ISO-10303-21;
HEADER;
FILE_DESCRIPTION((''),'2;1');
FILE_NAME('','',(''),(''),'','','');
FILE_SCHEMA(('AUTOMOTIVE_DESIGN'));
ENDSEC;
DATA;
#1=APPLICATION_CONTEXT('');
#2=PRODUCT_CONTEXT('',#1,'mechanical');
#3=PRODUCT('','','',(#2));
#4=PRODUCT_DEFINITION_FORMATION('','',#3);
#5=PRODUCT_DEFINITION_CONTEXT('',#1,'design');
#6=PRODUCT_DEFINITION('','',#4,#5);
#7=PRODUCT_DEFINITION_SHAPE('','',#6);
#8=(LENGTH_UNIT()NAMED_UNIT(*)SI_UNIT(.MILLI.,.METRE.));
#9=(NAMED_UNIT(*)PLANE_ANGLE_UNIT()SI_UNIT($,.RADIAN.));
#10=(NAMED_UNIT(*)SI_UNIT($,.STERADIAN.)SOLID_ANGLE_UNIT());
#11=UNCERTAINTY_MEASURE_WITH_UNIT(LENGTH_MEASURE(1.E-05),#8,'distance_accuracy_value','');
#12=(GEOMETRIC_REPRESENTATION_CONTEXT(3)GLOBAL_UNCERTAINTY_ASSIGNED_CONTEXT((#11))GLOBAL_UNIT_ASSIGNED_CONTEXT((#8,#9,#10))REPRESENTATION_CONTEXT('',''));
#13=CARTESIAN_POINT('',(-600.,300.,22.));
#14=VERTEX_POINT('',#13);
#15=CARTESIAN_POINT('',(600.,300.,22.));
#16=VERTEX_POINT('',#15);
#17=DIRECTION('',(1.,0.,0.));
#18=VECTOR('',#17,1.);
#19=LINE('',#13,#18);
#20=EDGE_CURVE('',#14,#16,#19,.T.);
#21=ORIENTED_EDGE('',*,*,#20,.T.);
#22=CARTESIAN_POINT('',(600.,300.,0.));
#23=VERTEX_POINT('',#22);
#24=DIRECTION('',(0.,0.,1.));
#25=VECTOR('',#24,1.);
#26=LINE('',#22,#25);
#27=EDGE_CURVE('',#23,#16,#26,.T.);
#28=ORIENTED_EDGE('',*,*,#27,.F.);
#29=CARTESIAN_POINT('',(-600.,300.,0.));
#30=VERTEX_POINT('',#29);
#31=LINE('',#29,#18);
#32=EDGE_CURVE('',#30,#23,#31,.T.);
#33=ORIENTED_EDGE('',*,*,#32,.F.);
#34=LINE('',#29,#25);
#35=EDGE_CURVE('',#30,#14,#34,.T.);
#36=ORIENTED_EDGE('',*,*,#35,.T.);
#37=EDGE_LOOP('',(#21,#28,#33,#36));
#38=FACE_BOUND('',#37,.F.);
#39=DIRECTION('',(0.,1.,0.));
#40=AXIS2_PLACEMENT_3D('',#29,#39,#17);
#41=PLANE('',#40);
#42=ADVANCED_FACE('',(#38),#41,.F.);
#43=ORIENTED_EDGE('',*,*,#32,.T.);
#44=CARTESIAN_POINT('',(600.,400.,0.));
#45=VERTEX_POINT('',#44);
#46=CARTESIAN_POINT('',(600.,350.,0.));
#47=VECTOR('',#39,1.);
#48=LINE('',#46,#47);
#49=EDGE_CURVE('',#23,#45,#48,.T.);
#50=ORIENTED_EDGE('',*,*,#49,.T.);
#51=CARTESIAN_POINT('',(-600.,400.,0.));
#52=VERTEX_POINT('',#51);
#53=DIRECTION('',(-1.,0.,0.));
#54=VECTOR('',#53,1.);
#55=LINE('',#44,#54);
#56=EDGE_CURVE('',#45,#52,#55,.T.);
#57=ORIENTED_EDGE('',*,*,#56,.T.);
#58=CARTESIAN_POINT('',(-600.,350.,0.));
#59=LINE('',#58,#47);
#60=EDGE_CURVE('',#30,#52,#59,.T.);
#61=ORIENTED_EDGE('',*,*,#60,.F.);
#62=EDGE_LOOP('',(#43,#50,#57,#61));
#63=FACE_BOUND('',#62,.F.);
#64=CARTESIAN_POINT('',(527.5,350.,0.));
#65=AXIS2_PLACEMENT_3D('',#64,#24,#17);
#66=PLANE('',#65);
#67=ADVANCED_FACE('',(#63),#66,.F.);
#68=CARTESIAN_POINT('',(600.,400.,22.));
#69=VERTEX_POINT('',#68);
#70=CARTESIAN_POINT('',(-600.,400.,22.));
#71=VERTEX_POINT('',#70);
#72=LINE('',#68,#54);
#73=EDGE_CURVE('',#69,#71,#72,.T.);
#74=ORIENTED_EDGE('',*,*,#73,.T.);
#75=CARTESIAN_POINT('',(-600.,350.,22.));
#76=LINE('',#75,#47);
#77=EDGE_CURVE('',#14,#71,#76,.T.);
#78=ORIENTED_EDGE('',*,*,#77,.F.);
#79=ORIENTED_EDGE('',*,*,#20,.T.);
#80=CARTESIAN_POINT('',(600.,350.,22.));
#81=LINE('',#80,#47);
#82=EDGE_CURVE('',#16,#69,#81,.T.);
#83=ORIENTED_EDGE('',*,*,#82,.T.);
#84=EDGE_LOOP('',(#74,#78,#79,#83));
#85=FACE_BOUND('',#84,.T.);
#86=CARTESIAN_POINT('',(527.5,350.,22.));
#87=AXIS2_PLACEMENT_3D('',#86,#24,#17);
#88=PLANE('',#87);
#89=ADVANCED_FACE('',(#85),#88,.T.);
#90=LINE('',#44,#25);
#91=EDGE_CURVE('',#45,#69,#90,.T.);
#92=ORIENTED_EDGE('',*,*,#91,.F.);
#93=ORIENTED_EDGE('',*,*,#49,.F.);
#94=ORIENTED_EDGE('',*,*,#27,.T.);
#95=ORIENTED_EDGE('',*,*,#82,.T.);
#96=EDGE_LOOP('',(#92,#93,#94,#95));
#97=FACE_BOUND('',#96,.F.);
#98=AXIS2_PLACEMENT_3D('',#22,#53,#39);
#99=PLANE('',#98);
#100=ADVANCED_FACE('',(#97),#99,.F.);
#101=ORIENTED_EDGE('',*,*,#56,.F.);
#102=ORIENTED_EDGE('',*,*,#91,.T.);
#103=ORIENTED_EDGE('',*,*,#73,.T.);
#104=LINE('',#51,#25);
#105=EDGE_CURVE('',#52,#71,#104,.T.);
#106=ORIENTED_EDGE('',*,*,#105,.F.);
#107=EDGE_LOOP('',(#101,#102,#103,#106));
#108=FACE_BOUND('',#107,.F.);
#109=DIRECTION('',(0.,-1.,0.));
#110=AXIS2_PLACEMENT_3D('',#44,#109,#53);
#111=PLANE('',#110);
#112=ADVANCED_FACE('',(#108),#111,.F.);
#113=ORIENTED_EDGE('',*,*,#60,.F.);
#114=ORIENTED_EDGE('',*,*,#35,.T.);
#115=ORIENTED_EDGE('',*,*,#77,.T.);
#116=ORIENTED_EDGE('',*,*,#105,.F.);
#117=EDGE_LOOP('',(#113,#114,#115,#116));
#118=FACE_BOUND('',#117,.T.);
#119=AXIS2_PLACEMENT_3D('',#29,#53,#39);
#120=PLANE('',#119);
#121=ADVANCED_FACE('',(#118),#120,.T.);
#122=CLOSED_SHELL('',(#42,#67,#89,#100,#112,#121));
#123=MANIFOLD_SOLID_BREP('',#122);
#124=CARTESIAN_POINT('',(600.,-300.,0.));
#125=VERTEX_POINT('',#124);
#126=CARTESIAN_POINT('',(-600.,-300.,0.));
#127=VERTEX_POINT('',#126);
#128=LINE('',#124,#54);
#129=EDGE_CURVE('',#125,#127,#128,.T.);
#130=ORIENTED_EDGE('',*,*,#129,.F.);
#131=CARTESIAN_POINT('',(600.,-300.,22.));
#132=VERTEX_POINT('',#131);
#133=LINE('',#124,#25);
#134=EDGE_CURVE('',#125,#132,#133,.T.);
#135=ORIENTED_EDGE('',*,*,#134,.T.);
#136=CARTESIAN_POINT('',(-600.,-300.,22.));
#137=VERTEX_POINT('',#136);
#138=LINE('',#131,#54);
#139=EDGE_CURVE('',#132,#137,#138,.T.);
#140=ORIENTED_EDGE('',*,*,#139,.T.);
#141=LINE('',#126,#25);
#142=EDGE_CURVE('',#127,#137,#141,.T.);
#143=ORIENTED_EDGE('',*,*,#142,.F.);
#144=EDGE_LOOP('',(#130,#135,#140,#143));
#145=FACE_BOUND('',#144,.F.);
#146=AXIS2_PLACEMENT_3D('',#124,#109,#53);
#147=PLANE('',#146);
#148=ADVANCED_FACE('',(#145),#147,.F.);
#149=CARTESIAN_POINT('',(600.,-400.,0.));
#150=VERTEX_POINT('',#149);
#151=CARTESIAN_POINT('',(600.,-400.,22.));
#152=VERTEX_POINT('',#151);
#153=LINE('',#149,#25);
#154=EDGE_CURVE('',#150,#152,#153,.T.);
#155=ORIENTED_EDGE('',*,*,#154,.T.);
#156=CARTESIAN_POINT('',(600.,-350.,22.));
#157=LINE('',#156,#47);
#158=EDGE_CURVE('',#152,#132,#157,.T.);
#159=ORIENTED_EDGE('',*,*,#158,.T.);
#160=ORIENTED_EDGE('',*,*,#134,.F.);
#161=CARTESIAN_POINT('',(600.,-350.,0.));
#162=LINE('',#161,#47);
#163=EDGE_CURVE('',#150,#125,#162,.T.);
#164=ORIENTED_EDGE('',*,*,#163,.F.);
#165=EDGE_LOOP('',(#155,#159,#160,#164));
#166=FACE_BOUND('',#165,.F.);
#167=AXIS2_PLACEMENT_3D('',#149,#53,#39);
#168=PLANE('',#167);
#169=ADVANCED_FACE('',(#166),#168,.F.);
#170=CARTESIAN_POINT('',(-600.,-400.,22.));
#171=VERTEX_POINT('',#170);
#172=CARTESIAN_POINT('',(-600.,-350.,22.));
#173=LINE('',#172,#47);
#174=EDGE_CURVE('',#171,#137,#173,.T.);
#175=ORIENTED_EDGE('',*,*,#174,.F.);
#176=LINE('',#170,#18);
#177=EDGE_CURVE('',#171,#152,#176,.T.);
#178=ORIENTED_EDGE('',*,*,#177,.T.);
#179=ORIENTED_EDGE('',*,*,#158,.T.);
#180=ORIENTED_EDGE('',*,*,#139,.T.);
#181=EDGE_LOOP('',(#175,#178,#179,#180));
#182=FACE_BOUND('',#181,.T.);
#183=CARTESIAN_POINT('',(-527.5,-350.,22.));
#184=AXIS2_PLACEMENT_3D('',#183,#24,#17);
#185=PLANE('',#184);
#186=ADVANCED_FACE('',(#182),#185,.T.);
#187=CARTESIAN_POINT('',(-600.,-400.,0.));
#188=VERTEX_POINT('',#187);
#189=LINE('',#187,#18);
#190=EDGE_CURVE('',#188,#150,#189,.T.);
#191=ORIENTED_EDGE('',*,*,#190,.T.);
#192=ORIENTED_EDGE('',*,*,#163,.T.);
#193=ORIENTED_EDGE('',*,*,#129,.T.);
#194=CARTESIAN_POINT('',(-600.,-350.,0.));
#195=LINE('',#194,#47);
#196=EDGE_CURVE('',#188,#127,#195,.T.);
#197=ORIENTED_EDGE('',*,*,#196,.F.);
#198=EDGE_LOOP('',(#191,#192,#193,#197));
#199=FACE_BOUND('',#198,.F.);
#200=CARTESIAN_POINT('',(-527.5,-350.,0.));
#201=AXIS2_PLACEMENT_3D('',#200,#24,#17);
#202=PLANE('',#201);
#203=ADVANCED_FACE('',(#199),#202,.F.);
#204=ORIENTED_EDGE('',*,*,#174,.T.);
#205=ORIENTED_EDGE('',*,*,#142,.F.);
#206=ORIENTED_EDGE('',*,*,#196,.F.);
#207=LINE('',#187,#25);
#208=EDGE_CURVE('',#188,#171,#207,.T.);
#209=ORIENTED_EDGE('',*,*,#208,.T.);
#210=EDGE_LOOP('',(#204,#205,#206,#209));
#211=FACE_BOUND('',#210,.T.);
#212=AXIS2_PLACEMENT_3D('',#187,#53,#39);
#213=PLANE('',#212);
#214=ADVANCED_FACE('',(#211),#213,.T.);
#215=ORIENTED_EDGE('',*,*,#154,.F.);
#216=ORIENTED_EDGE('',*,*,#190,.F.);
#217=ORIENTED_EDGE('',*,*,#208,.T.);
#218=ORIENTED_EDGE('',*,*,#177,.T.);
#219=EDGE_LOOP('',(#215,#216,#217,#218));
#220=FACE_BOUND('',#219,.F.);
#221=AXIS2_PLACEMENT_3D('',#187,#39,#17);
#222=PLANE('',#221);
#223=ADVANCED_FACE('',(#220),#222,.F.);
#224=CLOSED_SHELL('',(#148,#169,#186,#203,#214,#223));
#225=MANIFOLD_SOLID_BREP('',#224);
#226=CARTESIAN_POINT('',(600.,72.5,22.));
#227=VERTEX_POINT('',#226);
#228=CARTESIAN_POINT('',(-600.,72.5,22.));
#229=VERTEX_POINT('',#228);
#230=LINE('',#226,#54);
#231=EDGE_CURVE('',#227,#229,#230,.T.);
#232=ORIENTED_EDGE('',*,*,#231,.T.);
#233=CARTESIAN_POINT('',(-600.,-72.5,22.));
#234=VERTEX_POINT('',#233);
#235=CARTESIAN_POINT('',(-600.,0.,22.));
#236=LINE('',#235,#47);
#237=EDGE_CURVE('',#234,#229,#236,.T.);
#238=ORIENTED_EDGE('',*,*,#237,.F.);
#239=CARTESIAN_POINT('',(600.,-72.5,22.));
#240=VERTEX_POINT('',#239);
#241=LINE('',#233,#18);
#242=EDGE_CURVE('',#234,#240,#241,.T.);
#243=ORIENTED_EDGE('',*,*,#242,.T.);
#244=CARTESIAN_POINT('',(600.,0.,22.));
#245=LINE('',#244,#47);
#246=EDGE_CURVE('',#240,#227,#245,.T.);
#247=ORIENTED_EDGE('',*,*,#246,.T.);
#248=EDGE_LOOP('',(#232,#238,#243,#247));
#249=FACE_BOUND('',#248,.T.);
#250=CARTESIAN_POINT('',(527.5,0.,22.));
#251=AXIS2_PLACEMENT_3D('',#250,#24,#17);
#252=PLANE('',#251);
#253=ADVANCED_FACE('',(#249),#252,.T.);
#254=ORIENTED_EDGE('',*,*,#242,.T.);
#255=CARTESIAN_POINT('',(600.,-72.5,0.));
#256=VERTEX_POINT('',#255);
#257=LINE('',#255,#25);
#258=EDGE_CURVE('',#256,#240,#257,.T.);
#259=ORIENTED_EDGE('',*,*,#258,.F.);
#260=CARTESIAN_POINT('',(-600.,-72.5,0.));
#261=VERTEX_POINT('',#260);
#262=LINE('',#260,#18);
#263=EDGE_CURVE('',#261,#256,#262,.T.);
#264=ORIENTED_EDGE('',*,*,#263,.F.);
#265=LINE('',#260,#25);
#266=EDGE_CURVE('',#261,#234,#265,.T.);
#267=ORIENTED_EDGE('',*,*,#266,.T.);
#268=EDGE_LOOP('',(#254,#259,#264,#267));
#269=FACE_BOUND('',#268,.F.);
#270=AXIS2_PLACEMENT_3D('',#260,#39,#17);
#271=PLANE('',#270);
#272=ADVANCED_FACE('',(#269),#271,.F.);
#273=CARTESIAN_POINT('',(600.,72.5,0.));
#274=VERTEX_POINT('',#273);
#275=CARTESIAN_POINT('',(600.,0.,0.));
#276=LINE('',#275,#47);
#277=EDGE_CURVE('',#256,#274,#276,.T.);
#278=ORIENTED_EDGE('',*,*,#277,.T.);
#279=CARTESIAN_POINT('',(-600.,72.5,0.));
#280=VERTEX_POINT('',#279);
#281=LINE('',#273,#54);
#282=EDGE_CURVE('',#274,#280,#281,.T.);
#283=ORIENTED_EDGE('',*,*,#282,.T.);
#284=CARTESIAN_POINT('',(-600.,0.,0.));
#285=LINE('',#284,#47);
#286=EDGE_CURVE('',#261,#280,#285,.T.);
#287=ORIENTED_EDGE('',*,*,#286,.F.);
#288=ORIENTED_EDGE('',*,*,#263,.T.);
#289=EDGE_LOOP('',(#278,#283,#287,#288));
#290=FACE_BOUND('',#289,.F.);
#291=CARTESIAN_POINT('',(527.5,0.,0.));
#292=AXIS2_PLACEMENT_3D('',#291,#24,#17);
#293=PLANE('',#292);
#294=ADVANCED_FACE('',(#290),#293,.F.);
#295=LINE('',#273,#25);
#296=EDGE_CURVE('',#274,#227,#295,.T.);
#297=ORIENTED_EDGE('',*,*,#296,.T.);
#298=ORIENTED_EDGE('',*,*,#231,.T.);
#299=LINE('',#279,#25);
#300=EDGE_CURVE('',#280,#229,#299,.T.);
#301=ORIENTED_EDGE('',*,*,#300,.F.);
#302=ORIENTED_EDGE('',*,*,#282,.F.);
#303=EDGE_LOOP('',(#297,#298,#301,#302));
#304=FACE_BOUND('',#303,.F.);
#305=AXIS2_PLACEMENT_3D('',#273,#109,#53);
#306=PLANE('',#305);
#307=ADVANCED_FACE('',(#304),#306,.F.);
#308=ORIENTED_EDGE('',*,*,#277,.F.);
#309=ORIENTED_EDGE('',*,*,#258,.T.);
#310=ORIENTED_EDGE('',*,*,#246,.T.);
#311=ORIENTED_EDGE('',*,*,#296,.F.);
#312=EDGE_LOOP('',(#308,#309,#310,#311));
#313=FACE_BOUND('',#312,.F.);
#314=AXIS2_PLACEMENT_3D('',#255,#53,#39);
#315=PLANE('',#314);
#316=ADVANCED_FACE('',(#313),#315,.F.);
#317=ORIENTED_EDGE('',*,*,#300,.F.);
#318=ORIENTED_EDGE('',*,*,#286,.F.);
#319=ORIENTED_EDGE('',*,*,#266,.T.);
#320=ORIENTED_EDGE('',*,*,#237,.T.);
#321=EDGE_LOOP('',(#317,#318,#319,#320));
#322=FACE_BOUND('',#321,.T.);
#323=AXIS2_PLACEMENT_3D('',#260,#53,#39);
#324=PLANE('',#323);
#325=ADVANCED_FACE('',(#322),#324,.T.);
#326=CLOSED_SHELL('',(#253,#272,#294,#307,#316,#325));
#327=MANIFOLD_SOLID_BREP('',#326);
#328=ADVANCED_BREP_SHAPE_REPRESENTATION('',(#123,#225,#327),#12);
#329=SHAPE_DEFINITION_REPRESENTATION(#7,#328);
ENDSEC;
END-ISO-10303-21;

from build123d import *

# Parameters (mm, degrees)
F0_W     = 145
F0_H     = 100
F0_W_2   = 383
F0_W_3   = 382
F1_DEPTH = 22
F0_H_2   = 145
F4_DEPTH = 22


with BuildPart() as f1:
    # F0 (on Top) → F1 (new body)
    with BuildSketch(Plane.XY):
        with Locations((527.5, 350)):
            Rectangle(F0_W, F0_H)
        with Locations((263.5, 350)):
            Rectangle(F0_W_2, F0_H)
        with Locations((-0.5, 350)):
            Rectangle(F0_W, F0_H)
        with Locations((-264, 350)):
            Rectangle(F0_W_3, F0_H)
        with Locations((-527.5, 350)):
            Rectangle(F0_W, F0_H)
    extrude(amount=F1_DEPTH)


with BuildPart() as f1b:
    # F0 (on Top) → F1, piece 2 (new body)
    with BuildSketch(Plane.XY):
        with Locations((-527.5, 210)):
            Rectangle(F0_W, F0_H)
        with Locations((-264, 210)):
            Rectangle(F0_W_3, F0_H)
        with Locations((-0.5, 210)):
            Rectangle(F0_W, F0_H)
        with Locations((263.5, 210)):
            Rectangle(F0_W_2, F0_H)
        with Locations((527.5, 210)):
            Rectangle(F0_W, F0_H)
    extrude(amount=F1_DEPTH)


with BuildPart() as f1c:
    # F0 (on Top) → F1, piece 3 (new body)
    with BuildSketch(Plane.XY):
        with Locations((527.5, 0)):
            Rectangle(F0_W, F0_H_2)
        with Locations((263.5, 0)):
            Rectangle(F0_W_2, F0_H_2)
        with Locations((-0.5, 0)):
            Rectangle(F0_W, F0_H_2)
        with Locations((-264, 0)):
            Rectangle(F0_W_3, F0_H_2)
        with Locations((-527.5, 0)):
            Rectangle(F0_W, F0_H_2)
    extrude(amount=F1_DEPTH)


with BuildPart() as f1d:
    # F0 (on Top) → F1, piece 4 (new body)
    with BuildSketch(Plane.XY):
        with Locations((-527.5, -210)):
            Rectangle(F0_W, F0_H)
        with Locations((-264, -210)):
            Rectangle(F0_W_3, F0_H)
        with Locations((-0.5, -210)):
            Rectangle(F0_W, F0_H)
        with Locations((263.5, -210)):
            Rectangle(F0_W_2, F0_H)
        with Locations((527.5, -210)):
            Rectangle(F0_W, F0_H)
    extrude(amount=F1_DEPTH)


with BuildPart() as f1e:
    # F0 (on Top) → F1, piece 5 (new body)
    with BuildSketch(Plane.XY):
        with Locations((527.5, -350)):
            Rectangle(F0_W, F0_H)
        with Locations((263.5, -350)):
            Rectangle(F0_W_2, F0_H)
        with Locations((-0.5, -350)):
            Rectangle(F0_W, F0_H)
        with Locations((-264, -350)):
            Rectangle(F0_W_3, F0_H)
        with Locations((-527.5, -350)):
            Rectangle(F0_W, F0_H)
    extrude(amount=F1_DEPTH)


with BuildPart() as f4:
    # F0 (on Top) → F4 (new body)
    with BuildSketch(Plane.XY):
        with Locations((527.5, 350)):
            Rectangle(F0_W, F0_H)
        with Locations((263.5, 350)):
            Rectangle(F0_W_2, F0_H)
        with Locations((-0.5, 350)):
            Rectangle(F0_W, F0_H)
        with Locations((-264, 350)):
            Rectangle(F0_W_3, F0_H)
        with Locations((-527.5, 350)):
            Rectangle(F0_W, F0_H)
    extrude(amount=F4_DEPTH)


with BuildPart() as f4b:
    # F0 (on Top) → F4, piece 2 (new body)
    with BuildSketch(Plane.XY):
        with Locations((-527.5, -350)):
            Rectangle(F0_W, F0_H)
        with Locations((-264, -350)):
            Rectangle(F0_W_3, F0_H)
        with Locations((-0.5, -350)):
            Rectangle(F0_W, F0_H)
        with Locations((263.5, -350)):
            Rectangle(F0_W_2, F0_H)
        with Locations((527.5, -350)):
            Rectangle(F0_W, F0_H)
    extrude(amount=F4_DEPTH)


solid = Compound([f1c.part, f4.part, f4b.part])
